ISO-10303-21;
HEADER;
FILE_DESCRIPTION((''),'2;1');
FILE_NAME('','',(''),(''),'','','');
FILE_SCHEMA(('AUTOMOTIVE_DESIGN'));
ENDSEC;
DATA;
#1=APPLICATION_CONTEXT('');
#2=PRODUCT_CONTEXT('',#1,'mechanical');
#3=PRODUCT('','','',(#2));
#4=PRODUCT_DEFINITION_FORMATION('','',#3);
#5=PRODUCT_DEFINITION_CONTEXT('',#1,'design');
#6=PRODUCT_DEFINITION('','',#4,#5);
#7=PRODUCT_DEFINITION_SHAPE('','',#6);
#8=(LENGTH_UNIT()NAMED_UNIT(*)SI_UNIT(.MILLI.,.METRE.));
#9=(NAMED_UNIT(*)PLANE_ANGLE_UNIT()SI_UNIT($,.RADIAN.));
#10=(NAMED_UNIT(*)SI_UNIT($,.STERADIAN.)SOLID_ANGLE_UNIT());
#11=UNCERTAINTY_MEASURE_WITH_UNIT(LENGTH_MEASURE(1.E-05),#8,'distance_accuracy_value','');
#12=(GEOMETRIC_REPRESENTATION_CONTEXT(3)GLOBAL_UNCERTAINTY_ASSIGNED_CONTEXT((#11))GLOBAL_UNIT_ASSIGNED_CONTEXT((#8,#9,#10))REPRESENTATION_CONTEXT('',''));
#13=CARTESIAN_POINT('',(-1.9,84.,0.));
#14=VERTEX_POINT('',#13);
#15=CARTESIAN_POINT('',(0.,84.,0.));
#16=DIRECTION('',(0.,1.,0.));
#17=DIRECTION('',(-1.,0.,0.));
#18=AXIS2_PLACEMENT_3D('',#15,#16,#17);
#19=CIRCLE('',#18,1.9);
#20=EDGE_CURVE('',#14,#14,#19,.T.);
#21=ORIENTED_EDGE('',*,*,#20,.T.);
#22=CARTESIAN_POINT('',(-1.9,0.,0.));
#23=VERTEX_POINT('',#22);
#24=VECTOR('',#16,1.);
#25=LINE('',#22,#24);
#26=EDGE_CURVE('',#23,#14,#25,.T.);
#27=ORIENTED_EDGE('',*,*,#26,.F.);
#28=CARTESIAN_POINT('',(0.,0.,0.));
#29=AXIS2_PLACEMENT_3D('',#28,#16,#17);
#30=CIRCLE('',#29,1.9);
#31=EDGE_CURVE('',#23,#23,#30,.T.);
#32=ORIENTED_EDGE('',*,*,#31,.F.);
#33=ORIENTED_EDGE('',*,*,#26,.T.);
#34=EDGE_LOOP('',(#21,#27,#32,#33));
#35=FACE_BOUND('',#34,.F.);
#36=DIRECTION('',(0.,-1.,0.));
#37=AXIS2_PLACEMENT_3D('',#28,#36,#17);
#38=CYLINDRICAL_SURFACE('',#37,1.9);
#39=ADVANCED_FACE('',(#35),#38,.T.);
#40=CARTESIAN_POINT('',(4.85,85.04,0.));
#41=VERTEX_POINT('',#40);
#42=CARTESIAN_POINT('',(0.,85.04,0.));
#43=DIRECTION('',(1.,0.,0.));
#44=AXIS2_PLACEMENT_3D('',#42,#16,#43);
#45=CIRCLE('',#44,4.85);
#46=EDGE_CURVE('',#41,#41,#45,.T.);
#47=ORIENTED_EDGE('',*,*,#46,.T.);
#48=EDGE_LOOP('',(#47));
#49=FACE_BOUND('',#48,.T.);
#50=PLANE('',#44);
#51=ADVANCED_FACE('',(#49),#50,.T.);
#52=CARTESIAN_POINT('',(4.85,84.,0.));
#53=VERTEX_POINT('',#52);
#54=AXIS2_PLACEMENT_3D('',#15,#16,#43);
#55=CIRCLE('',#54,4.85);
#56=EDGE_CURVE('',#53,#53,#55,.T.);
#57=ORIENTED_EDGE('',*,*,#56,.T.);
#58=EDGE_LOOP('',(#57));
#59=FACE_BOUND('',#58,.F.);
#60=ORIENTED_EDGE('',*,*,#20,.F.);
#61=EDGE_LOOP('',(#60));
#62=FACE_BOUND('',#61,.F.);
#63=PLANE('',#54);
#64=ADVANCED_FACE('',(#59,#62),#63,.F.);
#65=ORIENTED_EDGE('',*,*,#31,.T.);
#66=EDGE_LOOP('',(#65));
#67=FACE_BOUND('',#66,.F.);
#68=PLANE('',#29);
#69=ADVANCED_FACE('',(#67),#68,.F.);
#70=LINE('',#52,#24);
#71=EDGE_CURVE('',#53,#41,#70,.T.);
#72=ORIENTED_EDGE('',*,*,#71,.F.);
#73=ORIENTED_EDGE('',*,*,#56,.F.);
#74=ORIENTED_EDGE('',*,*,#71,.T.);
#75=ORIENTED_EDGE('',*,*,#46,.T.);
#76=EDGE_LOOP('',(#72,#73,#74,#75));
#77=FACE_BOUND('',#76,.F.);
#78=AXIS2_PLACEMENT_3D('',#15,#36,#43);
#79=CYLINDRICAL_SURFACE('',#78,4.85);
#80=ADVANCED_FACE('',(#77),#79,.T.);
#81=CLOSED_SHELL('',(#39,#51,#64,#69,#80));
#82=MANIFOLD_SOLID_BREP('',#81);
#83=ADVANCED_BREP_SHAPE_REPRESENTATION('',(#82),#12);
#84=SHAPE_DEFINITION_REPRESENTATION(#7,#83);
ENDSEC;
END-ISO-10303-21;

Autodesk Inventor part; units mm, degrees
ref_plane "YZ Plane" through (0, 0, 0) normal (1, 0, 0) x (0, 1, 0)
ref_plane "XZ Plane" through (0, 0, 0) normal (0, 1, 0) x (-1, 0, 0)
ref_plane "XY Plane" through (0, 0, 0) normal (0, 0, 1) x (1, 0, 0)
sketch "Sketch1" plane through (0, 0, 0) normal (0, 1, 0) x (-1, 0, 0)
  circle A0 centre (0, 0) radius 1.9
  dimension "d0" = 3.8
extrude "Extrusion1" add sketch "Sketch1" along normal blind 84
sketch "Sketch2" plane through (0, 84, 0) normal (0, 1, 0) x (1, 0, 0)
  circle A0 centre (0, 0) radius 4.85
  dimension "d3" = 9.7
extrude "Extrusion2" add sketch "Sketch2" along normal blind 1.04
properties part number "Syringe1mL"
